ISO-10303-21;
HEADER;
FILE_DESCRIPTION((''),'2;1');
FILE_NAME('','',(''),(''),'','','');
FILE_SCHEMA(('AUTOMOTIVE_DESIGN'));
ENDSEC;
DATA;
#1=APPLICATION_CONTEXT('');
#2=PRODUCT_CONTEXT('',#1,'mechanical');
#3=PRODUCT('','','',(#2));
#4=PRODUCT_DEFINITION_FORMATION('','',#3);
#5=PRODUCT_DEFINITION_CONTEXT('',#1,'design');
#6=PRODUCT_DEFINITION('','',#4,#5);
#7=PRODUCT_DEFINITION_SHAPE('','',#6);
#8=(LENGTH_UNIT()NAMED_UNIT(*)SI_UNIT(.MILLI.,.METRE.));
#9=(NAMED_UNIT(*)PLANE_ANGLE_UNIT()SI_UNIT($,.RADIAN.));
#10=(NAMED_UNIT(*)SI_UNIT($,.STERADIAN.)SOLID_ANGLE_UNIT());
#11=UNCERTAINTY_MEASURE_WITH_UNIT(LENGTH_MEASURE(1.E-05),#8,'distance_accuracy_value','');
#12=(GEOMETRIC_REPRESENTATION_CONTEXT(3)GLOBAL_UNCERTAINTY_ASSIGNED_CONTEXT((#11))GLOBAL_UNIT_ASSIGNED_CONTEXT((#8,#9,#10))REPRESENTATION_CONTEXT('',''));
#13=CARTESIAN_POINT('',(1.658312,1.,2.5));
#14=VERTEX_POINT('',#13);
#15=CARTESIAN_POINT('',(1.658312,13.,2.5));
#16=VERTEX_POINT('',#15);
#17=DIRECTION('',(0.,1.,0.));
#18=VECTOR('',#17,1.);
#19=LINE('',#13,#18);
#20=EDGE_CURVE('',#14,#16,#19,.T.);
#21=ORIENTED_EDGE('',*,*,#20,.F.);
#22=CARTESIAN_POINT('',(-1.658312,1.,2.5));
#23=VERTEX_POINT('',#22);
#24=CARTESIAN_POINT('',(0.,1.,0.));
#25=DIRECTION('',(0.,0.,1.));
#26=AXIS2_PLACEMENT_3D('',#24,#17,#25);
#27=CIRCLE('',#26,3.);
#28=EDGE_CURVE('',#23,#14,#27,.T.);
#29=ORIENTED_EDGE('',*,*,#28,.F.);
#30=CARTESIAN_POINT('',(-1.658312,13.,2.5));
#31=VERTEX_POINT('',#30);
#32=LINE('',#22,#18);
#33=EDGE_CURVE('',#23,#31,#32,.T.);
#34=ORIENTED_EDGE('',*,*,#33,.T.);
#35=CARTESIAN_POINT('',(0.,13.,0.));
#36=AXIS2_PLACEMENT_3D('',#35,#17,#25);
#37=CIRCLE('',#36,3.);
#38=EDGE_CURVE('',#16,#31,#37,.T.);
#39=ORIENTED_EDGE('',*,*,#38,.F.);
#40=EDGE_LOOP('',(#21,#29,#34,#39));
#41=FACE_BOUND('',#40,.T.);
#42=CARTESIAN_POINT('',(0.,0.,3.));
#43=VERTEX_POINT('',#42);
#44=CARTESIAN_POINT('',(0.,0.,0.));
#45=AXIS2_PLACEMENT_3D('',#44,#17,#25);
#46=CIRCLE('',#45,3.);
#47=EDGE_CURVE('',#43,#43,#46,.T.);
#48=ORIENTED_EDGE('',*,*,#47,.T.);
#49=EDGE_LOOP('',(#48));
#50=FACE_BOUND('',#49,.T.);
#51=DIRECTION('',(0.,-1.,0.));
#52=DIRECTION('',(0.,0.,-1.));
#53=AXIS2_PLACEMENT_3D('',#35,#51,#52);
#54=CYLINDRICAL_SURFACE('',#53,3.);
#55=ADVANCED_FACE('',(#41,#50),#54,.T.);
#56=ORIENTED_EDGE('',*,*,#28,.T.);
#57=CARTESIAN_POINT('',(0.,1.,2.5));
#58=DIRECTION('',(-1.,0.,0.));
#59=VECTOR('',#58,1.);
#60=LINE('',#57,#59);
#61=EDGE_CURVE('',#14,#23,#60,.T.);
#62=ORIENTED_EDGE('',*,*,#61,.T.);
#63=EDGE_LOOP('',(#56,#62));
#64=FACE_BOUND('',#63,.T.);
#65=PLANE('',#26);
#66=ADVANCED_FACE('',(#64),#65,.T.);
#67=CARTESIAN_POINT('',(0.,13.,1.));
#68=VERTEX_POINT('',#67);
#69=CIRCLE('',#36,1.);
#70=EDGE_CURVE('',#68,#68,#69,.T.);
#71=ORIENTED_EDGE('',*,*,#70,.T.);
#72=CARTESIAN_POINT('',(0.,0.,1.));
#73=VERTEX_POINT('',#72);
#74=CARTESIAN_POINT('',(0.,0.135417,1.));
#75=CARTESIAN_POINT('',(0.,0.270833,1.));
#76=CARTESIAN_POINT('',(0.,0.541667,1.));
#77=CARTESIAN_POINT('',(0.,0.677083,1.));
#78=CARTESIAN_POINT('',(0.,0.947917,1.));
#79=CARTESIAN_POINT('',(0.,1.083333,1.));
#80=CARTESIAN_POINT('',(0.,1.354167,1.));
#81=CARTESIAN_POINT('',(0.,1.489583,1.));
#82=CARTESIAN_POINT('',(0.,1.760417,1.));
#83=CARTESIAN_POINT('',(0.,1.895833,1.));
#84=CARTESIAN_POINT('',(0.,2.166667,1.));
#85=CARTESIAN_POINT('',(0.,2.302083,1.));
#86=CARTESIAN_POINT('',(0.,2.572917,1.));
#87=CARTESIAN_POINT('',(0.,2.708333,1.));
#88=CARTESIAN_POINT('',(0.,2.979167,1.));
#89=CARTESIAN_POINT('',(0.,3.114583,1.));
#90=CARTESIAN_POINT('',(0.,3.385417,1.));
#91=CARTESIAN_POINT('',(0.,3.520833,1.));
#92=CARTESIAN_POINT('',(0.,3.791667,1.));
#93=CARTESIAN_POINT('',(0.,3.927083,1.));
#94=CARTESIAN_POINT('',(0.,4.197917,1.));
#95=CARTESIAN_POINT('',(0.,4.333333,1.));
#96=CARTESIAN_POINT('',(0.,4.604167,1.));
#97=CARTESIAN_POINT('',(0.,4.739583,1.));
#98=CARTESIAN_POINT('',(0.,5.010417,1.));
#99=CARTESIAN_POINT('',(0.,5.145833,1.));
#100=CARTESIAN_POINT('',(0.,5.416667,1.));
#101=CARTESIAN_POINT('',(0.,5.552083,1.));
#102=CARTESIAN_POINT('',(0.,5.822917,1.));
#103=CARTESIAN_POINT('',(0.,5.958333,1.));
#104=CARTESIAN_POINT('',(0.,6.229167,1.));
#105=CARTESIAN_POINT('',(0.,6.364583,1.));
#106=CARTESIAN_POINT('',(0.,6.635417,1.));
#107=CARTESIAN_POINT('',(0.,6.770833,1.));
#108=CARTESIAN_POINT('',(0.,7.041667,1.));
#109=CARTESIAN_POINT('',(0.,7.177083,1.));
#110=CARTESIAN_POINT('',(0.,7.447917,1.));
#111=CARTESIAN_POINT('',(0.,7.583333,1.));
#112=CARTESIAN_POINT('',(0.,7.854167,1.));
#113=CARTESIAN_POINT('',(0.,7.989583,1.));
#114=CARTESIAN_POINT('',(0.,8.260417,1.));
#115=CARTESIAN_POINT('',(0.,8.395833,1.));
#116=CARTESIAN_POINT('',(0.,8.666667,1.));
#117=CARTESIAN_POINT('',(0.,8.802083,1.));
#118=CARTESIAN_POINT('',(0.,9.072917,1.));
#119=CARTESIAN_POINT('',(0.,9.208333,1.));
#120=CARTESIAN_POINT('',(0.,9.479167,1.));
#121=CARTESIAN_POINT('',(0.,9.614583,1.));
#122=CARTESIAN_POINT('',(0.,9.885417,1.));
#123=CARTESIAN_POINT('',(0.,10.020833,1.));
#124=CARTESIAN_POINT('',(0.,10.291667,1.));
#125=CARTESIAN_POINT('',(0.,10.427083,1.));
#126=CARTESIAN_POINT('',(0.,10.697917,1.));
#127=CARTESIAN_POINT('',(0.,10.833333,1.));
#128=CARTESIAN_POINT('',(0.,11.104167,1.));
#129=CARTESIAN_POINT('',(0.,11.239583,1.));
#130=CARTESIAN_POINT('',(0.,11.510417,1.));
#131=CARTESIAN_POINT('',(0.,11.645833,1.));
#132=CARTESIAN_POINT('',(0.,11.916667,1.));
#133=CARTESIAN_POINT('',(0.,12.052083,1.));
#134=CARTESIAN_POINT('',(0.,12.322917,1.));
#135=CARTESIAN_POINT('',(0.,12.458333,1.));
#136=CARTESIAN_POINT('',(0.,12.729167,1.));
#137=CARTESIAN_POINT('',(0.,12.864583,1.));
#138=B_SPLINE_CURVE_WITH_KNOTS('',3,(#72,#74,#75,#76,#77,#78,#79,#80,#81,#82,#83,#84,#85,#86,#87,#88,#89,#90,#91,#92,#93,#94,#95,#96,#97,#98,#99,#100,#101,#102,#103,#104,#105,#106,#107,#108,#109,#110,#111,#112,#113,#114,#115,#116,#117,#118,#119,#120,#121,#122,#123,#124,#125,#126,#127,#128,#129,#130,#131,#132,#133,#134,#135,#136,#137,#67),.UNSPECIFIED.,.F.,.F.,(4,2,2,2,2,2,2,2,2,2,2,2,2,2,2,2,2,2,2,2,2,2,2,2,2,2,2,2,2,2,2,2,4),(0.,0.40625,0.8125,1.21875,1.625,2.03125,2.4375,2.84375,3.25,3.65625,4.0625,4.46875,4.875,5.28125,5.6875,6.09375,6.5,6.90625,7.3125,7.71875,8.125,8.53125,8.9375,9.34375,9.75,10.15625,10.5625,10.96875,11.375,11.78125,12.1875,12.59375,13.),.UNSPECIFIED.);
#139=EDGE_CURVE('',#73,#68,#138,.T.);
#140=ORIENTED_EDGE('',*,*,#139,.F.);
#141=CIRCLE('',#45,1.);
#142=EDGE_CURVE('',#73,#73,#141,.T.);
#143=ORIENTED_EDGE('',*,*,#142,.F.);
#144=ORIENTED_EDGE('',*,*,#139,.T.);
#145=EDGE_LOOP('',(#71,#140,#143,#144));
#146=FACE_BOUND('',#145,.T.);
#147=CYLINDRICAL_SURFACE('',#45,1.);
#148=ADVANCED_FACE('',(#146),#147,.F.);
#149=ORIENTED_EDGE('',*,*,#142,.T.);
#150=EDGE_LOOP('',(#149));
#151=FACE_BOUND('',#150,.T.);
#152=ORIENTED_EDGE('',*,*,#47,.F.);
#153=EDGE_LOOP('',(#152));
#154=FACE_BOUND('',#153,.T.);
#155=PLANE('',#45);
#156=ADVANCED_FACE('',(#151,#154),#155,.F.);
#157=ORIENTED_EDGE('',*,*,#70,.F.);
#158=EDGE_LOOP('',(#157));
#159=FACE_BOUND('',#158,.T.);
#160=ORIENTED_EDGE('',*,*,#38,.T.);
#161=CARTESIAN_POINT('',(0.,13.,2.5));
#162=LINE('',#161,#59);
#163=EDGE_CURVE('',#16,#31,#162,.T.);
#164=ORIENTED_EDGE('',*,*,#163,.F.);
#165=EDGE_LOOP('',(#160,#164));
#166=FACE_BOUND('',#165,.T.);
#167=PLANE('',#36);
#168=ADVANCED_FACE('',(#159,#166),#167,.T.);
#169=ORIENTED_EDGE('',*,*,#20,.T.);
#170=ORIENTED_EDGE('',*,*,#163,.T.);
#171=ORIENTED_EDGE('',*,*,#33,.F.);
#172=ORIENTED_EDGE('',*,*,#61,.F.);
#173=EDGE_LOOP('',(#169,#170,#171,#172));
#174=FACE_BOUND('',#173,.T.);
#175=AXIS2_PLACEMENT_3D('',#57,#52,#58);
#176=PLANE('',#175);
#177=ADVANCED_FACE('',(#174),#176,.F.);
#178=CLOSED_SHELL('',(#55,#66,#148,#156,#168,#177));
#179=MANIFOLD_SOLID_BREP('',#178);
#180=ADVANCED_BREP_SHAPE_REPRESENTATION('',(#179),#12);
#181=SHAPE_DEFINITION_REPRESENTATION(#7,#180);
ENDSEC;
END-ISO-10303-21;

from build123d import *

# Parameters (mm, degrees)
SKETCH1_R           = 3
BOSS_EXTRUDE1_DEPTH = 13
SKETCH2_R           = 1
CUT_EXTRUDE1_DEPTH  = 13
CUT_EXTRUDE2_DEPTH  = 12


with BuildPart() as part:
    # Sketch1 → Boss-Extrude1 (new body)
    with BuildSketch(Plane(origin=(0, 0, 0), x_dir=(1, 0, 0), z_dir=(0, 1, 0))):
        with Locations(Location((0, 0, 0), (0, 0, 90))):
            Circle(SKETCH1_R)
    extrude(amount=BOSS_EXTRUDE1_DEPTH)

    # Sketch2 → Cut-Extrude1 (cut)
    with BuildSketch(Plane(origin=(0, 13, 0), x_dir=(1, 0, 0), z_dir=(0, 1, 0))):
        with Locations(Location((0, 0, 0), (0, 0, 270))):
            Circle(SKETCH2_R)
    extrude(amount=-CUT_EXTRUDE1_DEPTH, mode=Mode.SUBTRACT)

    # Sketch3 → Cut-Extrude2 (cut)
    with BuildSketch(Plane(origin=(0, 13, 0), x_dir=(1, 0, 0), z_dir=(0, 1, 0))):
        Polygon((26.073564647, -2.5), (1.658312395, -2.5), (-1.658312395, -2.5), (-26.073564647, -2.5), (-26.073564647, -51.330504504), (26.073564647, -51.330504504), align=None)
    extrude(amount=-CUT_EXTRUDE2_DEPTH, mode=Mode.SUBTRACT)


solid = part.part
